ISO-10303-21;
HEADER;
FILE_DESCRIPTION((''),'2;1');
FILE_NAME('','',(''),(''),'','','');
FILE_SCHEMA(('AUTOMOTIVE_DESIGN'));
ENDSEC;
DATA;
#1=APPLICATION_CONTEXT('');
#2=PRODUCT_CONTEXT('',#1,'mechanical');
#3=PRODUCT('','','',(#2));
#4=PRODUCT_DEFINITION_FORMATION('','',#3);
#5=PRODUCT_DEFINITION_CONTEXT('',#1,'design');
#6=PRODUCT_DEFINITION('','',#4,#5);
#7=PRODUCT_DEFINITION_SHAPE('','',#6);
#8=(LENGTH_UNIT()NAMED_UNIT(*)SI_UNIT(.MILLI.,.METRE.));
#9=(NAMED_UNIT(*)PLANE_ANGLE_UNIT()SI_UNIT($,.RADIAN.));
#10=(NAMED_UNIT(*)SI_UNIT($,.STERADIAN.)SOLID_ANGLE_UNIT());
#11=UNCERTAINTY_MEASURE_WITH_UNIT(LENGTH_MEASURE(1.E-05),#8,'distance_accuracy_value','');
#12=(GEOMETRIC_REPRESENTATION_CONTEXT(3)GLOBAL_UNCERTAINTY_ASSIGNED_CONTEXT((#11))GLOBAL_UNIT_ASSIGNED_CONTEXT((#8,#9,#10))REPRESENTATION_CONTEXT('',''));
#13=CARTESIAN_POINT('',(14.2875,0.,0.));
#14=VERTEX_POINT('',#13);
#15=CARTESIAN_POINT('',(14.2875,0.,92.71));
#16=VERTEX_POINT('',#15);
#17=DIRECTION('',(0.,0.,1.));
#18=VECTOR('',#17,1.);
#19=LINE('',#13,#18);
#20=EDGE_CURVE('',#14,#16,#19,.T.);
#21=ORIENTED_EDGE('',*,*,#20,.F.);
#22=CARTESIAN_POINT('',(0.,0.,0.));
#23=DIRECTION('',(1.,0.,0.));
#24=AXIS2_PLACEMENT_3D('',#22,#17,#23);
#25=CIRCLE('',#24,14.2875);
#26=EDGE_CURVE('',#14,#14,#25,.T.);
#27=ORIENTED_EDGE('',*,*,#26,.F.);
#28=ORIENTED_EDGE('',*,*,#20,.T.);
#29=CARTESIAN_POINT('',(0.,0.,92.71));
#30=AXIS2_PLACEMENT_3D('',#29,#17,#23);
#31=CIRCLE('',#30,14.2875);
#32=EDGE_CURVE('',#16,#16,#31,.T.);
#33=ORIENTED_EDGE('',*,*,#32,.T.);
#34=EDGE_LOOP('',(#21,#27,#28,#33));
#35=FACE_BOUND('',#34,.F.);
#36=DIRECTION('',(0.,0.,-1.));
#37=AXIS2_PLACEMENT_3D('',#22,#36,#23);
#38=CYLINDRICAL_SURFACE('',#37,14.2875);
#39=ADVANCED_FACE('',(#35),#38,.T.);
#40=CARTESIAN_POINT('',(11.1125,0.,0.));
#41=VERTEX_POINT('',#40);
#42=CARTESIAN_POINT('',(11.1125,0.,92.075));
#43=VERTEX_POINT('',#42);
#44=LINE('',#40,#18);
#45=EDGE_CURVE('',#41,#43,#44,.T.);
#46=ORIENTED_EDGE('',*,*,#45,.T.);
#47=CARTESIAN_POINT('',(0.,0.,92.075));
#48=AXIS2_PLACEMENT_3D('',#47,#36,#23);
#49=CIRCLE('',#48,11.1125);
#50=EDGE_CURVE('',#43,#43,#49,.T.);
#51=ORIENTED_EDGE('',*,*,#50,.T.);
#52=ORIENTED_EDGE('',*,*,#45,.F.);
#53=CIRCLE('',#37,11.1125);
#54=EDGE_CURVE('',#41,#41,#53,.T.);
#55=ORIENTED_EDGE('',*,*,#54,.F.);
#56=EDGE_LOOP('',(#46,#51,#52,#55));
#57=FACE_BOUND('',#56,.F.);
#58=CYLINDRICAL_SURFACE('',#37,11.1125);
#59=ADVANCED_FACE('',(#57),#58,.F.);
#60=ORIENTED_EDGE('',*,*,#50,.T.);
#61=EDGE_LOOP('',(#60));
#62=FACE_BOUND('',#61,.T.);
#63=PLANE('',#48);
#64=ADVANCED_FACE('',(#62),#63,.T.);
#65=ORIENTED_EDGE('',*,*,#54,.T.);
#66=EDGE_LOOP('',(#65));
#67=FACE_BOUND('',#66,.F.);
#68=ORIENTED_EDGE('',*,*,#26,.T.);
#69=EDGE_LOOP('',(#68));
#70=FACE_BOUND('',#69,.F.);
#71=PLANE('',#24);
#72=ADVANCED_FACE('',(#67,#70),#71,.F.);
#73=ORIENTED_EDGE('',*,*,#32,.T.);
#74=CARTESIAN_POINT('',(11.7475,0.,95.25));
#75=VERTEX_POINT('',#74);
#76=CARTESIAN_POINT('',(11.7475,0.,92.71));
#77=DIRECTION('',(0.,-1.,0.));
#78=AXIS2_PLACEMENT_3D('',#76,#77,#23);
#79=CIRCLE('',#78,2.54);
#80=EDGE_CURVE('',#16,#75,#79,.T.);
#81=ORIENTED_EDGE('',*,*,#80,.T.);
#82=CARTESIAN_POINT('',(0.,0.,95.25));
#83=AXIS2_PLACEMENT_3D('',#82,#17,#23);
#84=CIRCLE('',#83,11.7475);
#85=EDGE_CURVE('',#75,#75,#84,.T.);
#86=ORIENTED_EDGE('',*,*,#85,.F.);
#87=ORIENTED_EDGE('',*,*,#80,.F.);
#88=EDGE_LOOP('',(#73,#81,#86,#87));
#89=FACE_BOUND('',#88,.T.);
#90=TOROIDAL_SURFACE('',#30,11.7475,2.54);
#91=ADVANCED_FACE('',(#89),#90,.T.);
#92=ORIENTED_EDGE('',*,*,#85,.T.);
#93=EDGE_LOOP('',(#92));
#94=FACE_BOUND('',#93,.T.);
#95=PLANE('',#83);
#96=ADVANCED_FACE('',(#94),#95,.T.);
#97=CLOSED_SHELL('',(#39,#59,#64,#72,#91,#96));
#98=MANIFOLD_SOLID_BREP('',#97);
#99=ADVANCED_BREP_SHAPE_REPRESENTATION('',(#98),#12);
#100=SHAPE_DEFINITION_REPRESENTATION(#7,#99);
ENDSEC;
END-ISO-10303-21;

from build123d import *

# Parameters (mm, degrees)
SKETCH_R     = 14.2875
PAD_DEPTH    = 95.25
SKETCH001_R  = 11.1125
POCKET_DEPTH = 92.075
FILLET_R     = 2.54


with BuildPart() as part:
    # Sketch → Pad (new body)
    with BuildSketch(Plane.XY):
        Circle(SKETCH_R)
    extrude(amount=PAD_DEPTH)

    # Sketch001 (on Face2 of Pad) → Pocket (cut)
    with BuildSketch(Plane(origin=(0, 0, 0), x_dir=(1, 0, 0), z_dir=(0, 0, -1))):
        Circle(SKETCH001_R)
    extrude(amount=-POCKET_DEPTH, mode=Mode.SUBTRACT)

    # Fillet
    fillet_edges = [part.edges().sort_by_distance(p)[0] for p in [
        (-14.2875, 0, 95.25),
    ]]
    fillet(fillet_edges, radius=FILLET_R)


solid = part.part
